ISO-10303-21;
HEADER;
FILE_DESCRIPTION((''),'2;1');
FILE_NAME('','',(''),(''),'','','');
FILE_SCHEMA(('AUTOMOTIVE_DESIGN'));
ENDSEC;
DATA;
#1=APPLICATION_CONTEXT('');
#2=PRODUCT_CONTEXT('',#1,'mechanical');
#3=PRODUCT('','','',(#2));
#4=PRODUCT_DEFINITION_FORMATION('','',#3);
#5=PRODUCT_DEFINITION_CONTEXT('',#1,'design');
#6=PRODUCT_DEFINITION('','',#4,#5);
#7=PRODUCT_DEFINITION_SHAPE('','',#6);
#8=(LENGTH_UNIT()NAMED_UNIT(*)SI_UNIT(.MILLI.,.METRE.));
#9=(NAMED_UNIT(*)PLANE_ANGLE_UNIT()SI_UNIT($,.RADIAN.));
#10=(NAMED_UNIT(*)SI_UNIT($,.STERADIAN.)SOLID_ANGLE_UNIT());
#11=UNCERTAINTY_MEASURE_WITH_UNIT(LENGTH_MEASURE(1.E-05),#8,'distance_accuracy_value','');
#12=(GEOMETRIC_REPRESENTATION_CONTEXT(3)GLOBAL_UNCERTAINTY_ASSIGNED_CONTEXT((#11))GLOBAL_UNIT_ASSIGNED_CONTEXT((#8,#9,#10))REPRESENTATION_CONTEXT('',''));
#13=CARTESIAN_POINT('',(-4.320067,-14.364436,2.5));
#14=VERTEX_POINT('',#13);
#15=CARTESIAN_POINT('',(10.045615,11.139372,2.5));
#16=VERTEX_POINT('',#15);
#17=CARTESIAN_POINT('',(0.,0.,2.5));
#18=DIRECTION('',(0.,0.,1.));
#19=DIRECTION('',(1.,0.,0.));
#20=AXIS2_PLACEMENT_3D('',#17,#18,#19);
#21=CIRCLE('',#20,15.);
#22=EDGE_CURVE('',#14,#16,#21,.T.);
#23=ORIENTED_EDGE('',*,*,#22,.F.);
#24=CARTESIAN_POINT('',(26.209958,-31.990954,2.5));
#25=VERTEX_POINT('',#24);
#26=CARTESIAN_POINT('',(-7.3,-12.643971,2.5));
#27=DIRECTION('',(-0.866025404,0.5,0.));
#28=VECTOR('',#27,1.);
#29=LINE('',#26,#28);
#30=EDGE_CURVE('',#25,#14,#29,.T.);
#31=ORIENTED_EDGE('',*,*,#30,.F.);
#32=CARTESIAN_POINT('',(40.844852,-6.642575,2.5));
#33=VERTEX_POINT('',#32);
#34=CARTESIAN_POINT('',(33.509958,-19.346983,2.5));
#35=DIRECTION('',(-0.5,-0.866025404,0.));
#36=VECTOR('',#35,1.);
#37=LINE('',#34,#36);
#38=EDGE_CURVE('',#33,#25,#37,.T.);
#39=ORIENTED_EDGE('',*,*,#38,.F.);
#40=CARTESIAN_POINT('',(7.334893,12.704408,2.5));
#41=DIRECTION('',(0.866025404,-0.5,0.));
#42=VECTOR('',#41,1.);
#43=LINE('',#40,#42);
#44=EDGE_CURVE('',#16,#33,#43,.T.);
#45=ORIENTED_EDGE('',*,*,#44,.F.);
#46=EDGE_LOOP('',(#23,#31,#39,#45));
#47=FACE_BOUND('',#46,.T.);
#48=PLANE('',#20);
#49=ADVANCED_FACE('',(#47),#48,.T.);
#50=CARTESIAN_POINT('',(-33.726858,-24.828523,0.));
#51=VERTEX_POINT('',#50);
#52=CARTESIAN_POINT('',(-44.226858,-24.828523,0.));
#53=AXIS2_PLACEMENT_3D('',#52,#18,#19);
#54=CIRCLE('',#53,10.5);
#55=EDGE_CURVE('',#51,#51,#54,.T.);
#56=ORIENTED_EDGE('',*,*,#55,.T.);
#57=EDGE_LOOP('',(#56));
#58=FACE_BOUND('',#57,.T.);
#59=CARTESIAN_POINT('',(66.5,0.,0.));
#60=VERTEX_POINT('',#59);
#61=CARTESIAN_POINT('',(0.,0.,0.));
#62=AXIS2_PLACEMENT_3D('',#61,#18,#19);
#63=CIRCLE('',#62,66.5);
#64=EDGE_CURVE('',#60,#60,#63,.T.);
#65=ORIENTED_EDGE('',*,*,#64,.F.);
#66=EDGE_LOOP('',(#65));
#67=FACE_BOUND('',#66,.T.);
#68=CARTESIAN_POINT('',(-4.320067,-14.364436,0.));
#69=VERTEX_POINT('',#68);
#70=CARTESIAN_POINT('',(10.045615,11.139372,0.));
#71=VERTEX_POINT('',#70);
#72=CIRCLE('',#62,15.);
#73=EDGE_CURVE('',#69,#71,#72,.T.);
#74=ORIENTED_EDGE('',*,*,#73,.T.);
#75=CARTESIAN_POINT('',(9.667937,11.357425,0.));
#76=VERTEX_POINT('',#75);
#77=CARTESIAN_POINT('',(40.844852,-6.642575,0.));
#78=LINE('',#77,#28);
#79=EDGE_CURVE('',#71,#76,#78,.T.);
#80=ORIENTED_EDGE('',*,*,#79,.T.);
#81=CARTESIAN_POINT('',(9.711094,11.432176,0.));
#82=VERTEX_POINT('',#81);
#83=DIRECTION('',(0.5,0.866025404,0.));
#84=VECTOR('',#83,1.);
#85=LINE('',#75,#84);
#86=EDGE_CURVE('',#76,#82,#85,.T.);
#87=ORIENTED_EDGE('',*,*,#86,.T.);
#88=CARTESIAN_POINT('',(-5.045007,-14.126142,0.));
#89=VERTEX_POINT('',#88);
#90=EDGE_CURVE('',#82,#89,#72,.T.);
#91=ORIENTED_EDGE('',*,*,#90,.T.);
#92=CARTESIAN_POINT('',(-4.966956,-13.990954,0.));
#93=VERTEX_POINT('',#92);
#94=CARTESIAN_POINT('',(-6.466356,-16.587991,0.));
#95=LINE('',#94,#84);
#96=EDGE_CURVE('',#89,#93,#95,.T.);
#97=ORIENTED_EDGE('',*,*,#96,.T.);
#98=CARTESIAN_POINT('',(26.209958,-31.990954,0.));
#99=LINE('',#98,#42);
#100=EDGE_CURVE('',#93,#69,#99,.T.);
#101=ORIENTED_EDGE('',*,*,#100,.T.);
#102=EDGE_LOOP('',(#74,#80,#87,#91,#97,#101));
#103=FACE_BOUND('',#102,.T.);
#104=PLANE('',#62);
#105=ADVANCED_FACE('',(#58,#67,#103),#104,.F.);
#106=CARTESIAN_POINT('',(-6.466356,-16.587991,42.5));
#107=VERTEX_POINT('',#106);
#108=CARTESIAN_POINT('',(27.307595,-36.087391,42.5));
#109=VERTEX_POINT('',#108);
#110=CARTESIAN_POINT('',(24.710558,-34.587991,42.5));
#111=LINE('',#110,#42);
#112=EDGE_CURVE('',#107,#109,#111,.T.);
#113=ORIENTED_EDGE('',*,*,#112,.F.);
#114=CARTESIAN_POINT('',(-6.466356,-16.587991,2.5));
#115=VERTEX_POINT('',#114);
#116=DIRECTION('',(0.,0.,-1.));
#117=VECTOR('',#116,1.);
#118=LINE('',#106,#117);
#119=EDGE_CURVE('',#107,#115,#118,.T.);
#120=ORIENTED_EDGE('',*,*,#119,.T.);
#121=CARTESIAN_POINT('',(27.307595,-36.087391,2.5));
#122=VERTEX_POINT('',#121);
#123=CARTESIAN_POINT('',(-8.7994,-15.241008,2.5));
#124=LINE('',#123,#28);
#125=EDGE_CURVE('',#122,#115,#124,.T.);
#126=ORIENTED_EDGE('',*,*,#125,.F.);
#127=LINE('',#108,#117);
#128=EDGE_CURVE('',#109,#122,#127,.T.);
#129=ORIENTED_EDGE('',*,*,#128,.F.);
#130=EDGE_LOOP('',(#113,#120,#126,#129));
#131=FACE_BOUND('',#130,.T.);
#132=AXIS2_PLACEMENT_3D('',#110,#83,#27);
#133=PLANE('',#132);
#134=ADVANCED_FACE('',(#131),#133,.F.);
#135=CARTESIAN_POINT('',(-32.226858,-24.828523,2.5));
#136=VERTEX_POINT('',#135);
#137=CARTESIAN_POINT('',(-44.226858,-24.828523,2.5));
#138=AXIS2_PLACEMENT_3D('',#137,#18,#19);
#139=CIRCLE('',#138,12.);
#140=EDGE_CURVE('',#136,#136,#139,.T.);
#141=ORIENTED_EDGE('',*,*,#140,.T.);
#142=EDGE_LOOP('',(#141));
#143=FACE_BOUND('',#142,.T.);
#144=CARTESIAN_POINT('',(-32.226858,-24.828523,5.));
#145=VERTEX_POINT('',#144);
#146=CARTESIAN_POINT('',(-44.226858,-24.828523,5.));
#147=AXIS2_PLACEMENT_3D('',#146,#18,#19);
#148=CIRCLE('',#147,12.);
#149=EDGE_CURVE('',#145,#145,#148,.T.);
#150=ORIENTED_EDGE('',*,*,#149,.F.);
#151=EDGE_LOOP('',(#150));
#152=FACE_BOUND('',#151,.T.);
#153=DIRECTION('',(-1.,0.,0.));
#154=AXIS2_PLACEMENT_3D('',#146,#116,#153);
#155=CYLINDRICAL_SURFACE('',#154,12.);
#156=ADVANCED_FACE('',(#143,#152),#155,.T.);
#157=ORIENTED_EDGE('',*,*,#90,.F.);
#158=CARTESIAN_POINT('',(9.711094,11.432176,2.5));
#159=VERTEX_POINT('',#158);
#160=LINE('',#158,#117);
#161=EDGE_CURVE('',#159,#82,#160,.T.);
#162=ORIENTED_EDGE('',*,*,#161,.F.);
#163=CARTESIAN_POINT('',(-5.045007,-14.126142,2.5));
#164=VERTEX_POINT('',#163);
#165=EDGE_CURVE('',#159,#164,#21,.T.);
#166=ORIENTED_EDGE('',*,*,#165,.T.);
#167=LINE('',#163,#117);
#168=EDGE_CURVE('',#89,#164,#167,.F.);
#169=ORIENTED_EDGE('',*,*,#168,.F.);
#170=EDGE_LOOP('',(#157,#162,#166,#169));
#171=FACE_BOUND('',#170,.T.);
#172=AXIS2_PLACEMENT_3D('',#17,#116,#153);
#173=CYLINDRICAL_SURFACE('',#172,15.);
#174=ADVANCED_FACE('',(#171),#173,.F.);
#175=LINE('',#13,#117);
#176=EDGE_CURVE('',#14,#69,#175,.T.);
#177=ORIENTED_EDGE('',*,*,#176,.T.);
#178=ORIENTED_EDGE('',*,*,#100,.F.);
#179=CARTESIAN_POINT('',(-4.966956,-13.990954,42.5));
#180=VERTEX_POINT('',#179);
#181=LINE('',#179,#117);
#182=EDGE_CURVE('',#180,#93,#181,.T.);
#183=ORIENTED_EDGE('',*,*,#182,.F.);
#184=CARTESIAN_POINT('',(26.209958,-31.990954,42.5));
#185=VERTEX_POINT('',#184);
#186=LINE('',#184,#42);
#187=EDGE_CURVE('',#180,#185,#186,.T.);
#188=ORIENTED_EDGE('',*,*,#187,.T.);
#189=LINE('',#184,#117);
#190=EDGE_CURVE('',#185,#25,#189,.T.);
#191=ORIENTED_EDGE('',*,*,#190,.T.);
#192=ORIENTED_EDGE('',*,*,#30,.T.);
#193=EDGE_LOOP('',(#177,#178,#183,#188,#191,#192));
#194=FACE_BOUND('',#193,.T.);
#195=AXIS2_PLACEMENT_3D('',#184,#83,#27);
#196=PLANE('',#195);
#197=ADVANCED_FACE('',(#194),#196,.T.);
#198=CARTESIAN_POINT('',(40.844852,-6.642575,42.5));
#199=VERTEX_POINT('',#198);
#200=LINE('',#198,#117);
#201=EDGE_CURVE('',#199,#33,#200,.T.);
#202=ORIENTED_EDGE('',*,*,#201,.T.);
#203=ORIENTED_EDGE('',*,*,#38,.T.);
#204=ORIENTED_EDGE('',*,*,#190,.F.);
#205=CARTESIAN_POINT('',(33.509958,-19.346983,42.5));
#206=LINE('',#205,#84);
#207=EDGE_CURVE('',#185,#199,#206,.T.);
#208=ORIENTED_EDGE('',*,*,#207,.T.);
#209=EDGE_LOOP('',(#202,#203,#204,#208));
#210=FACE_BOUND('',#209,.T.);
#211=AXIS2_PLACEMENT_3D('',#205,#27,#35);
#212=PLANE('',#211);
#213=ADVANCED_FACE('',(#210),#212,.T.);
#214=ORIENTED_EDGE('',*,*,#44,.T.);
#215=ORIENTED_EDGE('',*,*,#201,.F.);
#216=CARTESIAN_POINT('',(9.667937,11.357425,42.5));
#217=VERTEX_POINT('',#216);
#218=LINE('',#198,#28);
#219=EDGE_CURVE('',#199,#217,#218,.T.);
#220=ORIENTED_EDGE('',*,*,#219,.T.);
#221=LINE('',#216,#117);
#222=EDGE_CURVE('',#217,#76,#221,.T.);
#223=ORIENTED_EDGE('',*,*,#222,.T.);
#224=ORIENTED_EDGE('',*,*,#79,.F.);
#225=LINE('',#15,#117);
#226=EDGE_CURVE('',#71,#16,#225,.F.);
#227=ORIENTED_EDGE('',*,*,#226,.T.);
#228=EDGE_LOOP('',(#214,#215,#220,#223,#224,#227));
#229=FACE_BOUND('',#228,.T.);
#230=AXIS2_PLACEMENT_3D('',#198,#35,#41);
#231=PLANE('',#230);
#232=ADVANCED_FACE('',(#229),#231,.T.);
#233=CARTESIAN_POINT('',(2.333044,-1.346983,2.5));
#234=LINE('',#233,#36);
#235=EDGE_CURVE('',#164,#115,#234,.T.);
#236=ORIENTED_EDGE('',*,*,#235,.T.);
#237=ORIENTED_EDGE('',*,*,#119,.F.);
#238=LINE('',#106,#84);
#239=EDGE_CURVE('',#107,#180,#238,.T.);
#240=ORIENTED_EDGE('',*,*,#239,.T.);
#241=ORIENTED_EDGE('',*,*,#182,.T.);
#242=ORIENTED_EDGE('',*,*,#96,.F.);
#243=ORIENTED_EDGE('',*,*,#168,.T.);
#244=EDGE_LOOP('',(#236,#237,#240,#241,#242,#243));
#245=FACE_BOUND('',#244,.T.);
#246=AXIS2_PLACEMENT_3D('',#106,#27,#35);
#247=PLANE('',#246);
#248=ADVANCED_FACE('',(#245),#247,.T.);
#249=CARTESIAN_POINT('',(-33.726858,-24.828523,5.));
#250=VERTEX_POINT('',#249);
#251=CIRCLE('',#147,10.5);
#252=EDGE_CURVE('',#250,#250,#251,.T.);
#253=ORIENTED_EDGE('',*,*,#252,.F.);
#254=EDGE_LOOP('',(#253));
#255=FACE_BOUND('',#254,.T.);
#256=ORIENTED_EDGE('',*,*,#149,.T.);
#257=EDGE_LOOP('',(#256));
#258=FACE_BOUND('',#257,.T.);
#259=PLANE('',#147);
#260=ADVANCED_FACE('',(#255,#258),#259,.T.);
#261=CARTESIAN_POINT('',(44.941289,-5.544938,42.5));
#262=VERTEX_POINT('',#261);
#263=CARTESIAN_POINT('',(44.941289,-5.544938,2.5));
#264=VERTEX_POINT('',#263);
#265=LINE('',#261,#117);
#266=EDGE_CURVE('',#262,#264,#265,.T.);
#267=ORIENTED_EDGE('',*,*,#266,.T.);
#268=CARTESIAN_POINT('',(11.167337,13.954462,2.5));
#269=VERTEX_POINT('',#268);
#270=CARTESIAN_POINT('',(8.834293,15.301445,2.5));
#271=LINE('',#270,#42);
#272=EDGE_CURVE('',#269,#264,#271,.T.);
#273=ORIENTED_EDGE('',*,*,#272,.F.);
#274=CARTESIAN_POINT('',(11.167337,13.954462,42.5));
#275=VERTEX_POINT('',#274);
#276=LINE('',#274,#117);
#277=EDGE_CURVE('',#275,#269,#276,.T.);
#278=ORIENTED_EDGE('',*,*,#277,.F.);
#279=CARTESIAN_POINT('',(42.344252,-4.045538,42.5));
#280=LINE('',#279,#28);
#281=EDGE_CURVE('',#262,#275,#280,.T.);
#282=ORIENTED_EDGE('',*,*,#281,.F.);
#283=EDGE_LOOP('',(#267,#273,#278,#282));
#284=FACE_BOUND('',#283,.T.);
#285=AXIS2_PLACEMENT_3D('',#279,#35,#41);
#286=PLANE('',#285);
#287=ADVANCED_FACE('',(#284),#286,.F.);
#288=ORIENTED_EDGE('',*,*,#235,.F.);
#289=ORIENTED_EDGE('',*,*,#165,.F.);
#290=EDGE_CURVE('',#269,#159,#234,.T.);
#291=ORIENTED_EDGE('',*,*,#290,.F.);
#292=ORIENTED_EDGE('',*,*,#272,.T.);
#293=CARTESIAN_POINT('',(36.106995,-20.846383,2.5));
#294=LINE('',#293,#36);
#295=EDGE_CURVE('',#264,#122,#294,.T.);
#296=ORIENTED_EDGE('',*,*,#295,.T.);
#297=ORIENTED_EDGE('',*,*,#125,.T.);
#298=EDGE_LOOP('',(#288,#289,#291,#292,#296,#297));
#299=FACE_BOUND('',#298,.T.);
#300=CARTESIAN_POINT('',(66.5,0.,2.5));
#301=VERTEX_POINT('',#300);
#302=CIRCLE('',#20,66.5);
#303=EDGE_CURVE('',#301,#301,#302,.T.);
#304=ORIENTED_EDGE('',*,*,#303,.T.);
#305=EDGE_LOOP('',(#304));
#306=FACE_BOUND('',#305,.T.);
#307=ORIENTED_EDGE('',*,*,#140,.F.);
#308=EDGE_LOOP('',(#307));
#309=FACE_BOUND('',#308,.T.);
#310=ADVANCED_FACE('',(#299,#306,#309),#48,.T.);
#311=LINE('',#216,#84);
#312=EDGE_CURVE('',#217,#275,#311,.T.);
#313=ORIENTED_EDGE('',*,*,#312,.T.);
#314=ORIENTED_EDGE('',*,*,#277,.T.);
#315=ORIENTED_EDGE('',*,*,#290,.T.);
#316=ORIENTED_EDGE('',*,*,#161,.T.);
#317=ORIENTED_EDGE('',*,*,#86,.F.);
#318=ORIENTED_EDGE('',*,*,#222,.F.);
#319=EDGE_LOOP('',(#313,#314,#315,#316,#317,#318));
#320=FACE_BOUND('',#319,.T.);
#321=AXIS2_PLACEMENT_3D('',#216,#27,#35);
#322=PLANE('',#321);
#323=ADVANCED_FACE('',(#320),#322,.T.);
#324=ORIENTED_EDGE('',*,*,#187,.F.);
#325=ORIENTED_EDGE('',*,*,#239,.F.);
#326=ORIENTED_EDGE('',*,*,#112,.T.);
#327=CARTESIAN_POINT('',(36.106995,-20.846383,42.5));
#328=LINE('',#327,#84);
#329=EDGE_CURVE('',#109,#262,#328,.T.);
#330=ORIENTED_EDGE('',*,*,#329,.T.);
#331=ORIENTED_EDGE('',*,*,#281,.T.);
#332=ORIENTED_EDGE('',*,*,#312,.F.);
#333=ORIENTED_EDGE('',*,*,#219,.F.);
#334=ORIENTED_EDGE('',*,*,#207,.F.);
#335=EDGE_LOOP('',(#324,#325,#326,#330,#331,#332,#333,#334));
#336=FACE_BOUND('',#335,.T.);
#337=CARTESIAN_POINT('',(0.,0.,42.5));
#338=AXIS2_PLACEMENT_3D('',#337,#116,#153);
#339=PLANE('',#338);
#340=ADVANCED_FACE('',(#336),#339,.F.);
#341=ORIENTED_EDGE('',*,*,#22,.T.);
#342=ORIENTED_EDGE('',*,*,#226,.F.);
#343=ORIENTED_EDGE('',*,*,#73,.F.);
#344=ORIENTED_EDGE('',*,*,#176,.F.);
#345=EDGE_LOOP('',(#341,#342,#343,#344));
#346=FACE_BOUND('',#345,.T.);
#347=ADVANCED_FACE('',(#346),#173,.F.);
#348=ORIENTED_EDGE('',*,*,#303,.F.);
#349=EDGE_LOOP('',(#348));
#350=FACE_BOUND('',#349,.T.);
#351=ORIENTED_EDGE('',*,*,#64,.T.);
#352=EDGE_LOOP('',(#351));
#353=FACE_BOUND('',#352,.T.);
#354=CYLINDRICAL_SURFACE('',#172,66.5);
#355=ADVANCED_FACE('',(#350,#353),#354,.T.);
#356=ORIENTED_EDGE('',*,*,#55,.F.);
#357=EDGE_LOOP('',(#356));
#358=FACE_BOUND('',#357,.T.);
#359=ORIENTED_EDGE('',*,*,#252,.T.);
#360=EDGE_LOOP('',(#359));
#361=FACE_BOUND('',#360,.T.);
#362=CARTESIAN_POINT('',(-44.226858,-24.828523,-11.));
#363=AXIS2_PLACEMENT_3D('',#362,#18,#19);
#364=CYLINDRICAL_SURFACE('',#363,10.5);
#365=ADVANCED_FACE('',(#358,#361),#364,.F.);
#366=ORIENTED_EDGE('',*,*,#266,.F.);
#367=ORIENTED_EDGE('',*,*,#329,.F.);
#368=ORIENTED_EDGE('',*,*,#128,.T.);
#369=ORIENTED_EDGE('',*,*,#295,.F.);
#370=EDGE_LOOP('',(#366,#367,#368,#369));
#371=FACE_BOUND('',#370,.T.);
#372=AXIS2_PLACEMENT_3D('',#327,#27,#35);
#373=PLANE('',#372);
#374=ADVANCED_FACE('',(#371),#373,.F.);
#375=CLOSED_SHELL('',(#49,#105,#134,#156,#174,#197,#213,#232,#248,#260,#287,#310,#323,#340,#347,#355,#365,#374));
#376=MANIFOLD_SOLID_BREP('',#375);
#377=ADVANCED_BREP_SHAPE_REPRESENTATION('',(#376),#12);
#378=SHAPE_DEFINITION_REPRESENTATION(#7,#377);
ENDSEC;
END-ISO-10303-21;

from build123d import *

# Parameters (mm, degrees)
SKETCH1_R           = 66.5
SKETCH1_R_2         = 15
BOSS_EXTRUDE1_DEPTH = 2.5
SKETCH3_R           = 10.5
CUT_EXTRUDE1_DEPTH  = 13.5
BOSS_EXTRUDE2_START = 2.5
SKETCH3_3_R         = 12
SKETCH3_3_R_2       = 10.5
BOSS_EXTRUDE2_DEPTH = 2.5
EXTRUDE_THIN1_DEPTH = 42.5


with BuildPart() as part:
    # Sketch1 → Boss-Extrude1 (new body)
    with BuildSketch(Plane.XY):
        Circle(SKETCH1_R)
        Circle(SKETCH1_R_2, mode=Mode.SUBTRACT)
    extrude(amount=BOSS_EXTRUDE1_DEPTH)

    # Sketch3 → Cut-Extrude1 (cut)
    with BuildSketch(Plane(origin=(-7.303339128, 6.698734651, 2.5), x_dir=(1, 0, 0), z_dir=(0, 0, 1))):
        with Locations((-36.92351869, -31.527257763)):
            Circle(SKETCH3_R)
    extrude(amount=-CUT_EXTRUDE1_DEPTH, mode=Mode.SUBTRACT)

    # Sketch3<3> → Boss-Extrude2 (add)
    with BuildSketch(Plane(origin=(-7.303339128, 6.698734651, 2.5), x_dir=(1, 0, 0), z_dir=(0, 0, 1)).offset(BOSS_EXTRUDE2_START)):
        with Locations((-36.92351869, -31.527257763)):
            Circle(SKETCH3_3_R)
        with Locations((-36.92351869, -31.527257763)):
            Circle(SKETCH3_3_R_2, mode=Mode.SUBTRACT)
    extrude(amount=-BOSS_EXTRUDE2_DEPTH)

    # Sketch13 → Extrude-Thin1 (add)
    with BuildSketch(Plane.XY):
        Polygon((-4.966956498, -13.990954189), (26.209958039, -31.990954189), (33.509958039, -19.346983294), (40.844851528, -6.642575102), (9.667936992, 11.357424898), (11.167336992, 13.954461879), (44.941288509, -5.544938121), (36.106995019, -20.846383294), (27.307595019, -36.08739117), (-6.466356498, -16.58799117), align=None)
    extrude(amount=EXTRUDE_THIN1_DEPTH)


solid = part.part
